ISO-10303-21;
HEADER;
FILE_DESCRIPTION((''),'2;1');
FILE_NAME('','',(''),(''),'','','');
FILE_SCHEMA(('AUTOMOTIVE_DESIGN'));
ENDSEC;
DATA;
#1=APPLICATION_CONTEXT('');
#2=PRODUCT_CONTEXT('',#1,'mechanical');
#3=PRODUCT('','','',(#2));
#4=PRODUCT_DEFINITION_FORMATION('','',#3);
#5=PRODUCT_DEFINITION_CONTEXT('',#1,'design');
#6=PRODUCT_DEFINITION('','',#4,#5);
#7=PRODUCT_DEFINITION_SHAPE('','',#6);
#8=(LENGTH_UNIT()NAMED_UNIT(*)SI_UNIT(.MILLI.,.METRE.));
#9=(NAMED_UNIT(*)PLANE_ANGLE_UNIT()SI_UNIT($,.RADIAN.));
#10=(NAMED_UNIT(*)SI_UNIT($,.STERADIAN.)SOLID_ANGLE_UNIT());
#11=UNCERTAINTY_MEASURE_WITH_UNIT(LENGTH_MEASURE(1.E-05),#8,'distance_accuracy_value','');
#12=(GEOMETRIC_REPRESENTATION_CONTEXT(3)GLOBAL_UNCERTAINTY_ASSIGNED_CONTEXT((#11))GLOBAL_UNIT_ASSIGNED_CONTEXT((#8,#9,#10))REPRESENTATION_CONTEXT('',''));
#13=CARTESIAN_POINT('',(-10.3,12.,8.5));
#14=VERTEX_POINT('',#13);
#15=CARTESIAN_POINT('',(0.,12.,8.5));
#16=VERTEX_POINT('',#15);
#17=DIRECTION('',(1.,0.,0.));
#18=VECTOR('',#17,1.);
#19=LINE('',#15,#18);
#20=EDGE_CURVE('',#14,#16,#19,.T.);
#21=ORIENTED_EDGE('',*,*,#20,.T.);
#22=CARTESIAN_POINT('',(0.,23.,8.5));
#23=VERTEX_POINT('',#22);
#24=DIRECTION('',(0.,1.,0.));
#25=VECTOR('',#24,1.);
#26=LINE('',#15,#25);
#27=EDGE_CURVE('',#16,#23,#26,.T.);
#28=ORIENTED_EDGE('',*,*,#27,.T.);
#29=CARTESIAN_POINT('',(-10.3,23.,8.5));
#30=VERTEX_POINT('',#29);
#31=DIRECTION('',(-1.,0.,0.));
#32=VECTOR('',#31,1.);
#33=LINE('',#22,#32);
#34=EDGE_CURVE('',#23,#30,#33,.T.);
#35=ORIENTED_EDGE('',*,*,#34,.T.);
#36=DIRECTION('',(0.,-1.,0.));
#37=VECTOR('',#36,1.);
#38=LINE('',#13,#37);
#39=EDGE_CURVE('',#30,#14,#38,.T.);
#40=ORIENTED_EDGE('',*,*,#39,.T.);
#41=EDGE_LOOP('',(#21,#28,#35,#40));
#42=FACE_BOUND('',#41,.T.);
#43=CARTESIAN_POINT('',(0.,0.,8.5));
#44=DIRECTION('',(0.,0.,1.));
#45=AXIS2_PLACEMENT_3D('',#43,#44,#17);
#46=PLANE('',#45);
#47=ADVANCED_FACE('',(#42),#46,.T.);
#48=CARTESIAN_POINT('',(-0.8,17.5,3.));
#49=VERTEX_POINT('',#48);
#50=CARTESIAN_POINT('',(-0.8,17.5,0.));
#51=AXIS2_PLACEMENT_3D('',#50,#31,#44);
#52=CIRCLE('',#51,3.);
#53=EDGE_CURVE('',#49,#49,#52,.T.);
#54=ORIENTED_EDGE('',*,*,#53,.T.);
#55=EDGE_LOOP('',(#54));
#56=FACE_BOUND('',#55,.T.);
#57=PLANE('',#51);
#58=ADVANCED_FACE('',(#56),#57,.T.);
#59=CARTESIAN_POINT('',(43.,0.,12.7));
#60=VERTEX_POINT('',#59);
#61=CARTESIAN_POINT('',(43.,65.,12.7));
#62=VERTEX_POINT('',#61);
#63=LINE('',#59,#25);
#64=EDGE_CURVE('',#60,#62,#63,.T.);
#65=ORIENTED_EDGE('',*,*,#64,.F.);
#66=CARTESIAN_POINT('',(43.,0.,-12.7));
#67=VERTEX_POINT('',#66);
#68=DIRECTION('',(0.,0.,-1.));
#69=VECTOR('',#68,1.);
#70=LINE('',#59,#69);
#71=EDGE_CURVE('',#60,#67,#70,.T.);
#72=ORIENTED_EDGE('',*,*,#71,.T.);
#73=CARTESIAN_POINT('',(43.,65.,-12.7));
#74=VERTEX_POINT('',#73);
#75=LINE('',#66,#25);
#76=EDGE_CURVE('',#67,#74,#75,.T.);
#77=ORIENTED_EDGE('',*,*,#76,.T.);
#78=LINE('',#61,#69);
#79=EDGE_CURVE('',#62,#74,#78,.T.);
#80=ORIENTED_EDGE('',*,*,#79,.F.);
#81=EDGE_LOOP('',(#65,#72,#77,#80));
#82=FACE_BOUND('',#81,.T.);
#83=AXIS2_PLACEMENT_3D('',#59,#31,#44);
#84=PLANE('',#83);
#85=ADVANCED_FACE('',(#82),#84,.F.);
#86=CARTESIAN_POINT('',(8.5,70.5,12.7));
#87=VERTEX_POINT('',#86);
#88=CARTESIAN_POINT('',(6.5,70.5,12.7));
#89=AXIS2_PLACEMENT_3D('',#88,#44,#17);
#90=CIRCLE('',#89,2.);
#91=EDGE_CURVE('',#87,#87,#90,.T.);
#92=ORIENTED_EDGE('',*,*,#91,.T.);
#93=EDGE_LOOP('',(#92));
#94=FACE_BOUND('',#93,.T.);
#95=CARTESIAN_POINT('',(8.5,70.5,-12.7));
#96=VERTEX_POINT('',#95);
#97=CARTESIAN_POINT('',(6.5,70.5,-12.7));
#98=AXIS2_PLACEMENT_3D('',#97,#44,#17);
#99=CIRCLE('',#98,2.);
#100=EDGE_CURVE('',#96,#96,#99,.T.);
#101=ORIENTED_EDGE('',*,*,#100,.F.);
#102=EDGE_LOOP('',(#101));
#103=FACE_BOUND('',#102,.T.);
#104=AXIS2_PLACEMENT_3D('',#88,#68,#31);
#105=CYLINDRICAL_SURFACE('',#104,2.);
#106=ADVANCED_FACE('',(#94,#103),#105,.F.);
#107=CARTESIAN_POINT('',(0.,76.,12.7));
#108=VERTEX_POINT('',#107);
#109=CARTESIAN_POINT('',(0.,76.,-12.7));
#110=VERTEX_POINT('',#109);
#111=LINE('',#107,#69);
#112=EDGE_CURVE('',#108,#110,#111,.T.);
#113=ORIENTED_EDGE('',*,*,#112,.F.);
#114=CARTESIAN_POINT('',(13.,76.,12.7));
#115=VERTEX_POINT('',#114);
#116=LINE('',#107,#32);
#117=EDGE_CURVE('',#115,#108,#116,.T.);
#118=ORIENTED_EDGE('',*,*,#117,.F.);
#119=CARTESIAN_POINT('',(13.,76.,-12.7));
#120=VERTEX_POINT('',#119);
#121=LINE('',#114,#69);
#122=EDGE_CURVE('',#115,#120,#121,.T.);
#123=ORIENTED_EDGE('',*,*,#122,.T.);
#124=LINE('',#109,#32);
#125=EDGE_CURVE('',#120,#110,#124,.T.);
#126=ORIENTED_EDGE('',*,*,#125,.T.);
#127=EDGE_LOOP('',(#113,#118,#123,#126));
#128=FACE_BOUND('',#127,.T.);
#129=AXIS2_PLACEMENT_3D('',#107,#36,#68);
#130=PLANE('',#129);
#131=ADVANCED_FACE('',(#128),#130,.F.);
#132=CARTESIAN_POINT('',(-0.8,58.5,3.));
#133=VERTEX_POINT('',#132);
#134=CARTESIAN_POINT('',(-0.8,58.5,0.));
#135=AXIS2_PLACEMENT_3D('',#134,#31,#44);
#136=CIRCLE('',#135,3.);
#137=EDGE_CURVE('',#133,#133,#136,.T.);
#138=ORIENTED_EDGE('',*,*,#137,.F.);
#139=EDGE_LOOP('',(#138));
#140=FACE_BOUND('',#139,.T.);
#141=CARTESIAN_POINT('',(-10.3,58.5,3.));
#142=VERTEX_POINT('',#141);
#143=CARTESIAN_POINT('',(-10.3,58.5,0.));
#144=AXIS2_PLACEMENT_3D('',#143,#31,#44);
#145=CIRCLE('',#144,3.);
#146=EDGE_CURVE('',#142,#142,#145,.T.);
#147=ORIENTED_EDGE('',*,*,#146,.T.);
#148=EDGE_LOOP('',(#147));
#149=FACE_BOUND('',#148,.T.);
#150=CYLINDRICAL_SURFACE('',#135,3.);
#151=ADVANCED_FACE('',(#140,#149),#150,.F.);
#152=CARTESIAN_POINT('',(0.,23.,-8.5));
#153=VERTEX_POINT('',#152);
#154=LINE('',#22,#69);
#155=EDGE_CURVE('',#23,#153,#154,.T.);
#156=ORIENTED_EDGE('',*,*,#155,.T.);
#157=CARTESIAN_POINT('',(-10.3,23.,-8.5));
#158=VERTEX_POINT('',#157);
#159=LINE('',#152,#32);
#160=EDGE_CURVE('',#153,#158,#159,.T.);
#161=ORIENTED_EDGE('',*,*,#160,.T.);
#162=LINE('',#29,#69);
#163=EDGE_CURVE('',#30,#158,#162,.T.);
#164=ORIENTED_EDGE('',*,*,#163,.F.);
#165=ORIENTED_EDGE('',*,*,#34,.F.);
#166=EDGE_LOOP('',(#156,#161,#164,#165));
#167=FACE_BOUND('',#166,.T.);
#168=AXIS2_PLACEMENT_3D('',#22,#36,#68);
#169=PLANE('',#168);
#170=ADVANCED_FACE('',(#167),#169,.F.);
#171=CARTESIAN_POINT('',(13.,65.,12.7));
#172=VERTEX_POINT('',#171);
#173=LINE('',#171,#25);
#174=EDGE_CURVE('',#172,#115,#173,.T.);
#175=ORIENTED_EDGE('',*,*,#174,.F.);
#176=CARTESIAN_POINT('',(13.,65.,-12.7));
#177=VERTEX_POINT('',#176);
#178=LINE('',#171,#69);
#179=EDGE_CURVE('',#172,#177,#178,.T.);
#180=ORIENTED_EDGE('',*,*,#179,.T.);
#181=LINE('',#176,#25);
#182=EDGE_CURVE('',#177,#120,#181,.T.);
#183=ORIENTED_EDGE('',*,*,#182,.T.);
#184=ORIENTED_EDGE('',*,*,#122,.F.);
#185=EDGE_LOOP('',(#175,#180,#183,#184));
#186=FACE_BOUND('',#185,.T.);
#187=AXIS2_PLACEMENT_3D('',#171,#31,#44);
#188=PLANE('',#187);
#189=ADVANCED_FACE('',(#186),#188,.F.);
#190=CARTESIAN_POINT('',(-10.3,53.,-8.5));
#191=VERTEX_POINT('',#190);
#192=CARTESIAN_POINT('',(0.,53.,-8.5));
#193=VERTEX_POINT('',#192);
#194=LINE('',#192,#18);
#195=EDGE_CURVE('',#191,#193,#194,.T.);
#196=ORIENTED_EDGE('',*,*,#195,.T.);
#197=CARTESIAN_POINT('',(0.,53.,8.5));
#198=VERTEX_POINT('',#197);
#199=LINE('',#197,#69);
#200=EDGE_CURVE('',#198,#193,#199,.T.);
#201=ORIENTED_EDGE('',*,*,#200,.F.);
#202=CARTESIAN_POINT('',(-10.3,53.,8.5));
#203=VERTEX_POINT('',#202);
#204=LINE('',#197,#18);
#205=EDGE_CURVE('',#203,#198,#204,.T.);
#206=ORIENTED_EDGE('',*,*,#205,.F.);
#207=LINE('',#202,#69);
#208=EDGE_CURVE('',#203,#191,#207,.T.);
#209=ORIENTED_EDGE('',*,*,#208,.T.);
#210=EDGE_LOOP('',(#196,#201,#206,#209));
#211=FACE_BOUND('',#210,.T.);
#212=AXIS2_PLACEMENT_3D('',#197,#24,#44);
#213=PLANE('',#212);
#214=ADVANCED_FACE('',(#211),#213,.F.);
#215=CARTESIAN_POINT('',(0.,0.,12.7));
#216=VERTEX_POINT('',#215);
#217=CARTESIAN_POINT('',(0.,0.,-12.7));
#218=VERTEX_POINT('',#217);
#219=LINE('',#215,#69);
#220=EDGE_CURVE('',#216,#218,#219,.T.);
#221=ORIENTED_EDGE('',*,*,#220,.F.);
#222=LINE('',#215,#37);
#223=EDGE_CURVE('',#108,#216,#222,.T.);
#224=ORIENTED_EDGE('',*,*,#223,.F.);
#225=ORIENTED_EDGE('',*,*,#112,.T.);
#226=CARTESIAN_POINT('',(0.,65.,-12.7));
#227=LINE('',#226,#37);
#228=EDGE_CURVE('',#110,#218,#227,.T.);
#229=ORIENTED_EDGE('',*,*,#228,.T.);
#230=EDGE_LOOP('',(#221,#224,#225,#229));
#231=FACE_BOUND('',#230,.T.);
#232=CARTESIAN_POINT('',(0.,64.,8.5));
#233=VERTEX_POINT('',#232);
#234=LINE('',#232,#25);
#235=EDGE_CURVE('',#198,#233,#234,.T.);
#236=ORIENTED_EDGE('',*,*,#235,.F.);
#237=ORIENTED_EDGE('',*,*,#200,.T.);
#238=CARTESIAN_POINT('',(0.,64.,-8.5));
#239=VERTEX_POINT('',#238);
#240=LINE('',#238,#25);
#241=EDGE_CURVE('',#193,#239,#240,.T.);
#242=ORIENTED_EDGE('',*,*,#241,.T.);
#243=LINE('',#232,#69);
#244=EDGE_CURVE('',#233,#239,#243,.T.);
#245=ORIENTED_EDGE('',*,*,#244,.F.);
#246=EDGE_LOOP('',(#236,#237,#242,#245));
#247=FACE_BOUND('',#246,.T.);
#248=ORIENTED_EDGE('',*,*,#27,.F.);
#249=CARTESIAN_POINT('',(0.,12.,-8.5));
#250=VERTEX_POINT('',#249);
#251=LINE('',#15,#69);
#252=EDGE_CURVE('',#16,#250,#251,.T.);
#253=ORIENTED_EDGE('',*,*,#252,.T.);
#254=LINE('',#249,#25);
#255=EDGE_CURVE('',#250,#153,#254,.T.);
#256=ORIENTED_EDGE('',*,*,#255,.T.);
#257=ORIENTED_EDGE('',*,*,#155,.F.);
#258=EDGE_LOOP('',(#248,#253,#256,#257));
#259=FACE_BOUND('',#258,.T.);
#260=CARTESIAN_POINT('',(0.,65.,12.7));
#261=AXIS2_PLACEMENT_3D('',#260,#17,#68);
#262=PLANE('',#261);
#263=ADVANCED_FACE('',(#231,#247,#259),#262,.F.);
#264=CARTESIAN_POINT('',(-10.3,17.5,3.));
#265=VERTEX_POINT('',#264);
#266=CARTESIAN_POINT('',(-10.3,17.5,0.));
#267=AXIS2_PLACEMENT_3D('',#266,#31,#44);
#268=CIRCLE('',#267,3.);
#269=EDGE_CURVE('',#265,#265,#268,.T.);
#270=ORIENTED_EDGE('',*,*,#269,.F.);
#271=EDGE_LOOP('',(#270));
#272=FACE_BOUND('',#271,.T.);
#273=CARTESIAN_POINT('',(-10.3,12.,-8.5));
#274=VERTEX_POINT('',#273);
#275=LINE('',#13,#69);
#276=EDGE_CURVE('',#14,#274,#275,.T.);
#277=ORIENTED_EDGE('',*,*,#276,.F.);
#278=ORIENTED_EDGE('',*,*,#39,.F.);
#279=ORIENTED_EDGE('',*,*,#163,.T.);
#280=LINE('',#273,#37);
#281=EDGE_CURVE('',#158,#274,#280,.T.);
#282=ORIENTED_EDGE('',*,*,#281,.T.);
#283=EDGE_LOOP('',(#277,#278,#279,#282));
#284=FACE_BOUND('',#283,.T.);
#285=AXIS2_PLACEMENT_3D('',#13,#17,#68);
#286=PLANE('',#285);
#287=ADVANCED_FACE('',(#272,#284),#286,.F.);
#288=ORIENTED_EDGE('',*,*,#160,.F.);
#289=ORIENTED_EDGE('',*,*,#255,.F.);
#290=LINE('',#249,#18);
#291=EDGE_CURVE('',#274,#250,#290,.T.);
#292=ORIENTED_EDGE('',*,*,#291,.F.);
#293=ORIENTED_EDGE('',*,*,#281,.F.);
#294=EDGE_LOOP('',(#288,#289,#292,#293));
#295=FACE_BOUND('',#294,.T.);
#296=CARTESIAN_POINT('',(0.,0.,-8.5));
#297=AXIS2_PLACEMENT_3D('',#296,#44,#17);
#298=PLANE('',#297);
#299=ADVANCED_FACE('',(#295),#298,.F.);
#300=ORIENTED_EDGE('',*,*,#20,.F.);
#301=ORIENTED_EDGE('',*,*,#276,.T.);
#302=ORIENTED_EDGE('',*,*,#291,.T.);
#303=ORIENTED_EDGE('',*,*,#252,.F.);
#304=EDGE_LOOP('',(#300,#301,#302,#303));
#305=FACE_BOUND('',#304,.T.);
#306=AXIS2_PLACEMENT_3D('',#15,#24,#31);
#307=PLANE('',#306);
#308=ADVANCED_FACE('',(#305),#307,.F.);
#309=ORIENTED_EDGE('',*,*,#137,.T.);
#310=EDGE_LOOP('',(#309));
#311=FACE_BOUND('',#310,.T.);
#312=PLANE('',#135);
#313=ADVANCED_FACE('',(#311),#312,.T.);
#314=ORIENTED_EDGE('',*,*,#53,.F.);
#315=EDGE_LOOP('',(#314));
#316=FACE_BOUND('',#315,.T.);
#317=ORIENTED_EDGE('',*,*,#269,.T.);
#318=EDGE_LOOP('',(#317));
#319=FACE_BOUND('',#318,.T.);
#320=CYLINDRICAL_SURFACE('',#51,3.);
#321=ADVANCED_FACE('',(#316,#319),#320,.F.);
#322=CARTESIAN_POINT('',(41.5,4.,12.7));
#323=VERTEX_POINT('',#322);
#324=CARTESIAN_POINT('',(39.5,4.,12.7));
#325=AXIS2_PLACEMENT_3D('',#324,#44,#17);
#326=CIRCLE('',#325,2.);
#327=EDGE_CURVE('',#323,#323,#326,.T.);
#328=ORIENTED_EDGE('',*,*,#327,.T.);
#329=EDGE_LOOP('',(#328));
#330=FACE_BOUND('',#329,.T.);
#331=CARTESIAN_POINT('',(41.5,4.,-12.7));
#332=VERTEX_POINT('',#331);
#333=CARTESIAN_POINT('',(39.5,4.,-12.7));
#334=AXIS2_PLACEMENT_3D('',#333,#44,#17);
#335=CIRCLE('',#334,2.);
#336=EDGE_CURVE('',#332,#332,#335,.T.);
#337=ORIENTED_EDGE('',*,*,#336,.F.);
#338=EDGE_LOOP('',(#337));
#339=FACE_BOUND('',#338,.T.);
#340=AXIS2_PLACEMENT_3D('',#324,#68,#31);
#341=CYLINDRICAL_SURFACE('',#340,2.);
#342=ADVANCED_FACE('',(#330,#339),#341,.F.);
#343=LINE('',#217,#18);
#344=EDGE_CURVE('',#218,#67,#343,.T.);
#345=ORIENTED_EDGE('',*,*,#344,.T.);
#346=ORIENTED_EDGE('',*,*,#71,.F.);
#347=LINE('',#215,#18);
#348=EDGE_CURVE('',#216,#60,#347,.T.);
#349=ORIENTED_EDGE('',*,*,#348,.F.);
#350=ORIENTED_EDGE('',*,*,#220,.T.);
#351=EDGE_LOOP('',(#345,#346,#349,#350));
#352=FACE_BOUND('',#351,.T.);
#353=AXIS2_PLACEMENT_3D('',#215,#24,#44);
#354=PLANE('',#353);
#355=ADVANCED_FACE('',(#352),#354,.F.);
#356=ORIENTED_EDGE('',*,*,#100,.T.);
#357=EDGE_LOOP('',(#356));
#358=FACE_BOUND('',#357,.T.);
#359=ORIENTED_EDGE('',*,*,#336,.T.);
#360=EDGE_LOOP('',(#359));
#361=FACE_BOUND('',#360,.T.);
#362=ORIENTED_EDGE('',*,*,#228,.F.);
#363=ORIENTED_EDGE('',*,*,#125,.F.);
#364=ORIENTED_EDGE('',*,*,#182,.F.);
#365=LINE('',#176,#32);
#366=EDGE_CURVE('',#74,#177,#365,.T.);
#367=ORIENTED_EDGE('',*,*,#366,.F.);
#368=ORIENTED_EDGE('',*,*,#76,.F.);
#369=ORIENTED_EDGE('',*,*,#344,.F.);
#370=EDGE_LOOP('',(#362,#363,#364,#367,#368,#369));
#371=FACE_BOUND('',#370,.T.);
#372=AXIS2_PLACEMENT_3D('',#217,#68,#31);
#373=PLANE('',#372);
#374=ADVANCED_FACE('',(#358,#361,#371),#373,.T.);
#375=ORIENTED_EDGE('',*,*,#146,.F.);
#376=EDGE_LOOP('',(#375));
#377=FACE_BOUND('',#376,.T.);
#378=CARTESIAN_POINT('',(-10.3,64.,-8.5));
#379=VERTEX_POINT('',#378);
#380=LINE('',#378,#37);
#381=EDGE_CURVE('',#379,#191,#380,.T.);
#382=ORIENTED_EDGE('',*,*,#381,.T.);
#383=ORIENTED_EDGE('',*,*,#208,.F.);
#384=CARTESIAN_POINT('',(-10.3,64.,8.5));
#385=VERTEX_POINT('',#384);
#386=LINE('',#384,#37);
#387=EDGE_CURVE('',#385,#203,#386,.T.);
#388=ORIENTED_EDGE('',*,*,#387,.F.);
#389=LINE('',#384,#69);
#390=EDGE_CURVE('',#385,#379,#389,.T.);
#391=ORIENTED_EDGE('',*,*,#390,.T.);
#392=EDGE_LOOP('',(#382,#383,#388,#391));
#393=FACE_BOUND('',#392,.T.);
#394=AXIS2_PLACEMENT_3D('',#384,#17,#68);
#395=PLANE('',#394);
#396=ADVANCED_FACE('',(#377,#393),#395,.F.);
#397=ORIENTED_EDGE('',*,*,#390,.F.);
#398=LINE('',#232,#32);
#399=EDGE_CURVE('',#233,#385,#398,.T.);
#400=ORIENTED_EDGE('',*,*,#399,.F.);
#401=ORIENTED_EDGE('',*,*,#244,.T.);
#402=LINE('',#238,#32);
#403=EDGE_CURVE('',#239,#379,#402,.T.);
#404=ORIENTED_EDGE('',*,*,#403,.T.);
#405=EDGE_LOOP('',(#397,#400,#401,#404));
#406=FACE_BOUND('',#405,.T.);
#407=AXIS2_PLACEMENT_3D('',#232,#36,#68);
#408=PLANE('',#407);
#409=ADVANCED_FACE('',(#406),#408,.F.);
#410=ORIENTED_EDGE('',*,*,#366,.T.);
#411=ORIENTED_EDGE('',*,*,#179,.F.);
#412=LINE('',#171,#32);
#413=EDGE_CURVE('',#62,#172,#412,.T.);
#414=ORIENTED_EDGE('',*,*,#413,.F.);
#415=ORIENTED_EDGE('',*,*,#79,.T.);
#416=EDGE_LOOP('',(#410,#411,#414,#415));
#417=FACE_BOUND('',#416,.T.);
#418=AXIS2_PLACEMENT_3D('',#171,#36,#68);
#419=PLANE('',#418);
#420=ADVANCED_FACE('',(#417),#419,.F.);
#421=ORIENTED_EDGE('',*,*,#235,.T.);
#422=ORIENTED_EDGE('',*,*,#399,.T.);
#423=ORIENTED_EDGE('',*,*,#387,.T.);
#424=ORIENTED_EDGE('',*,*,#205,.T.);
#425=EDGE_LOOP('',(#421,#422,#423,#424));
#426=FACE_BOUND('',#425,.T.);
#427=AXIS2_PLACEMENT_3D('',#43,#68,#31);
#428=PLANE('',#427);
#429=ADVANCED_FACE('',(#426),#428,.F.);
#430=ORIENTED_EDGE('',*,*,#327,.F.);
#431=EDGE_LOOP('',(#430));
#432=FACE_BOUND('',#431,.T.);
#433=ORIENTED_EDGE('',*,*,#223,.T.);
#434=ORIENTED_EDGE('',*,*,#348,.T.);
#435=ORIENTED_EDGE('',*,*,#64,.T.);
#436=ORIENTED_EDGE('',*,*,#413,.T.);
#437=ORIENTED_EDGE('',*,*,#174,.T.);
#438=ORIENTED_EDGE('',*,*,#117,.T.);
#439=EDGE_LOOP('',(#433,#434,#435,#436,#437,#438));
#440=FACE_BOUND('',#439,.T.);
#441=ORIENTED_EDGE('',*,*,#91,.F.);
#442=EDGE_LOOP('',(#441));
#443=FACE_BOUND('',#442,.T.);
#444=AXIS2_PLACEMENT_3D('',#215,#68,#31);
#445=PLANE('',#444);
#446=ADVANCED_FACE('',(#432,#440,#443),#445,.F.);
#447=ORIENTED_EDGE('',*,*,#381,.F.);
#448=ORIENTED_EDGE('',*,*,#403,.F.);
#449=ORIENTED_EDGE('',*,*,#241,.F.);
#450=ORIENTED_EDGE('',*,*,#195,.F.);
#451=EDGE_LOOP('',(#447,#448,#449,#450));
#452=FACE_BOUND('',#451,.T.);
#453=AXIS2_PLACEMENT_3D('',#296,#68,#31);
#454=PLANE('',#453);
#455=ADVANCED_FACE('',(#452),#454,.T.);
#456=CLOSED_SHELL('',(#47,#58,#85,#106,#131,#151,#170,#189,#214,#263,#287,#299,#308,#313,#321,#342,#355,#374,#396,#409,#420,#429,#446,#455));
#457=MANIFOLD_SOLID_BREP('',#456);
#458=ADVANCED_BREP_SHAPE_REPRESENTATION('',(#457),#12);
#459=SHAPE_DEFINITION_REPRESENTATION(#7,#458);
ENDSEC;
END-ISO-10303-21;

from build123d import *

# Parameters (mm, degrees)
CROQUIS1_R              = 2
SALIENTE_EXTRUIR1_DEPTH = 12.7
CROQUIS2_W              = 10.3
CROQUIS2_H              = 11
SALIENTE_EXTRUIR2_DEPTH = 8.5
CROQUIS3_R              = 3
CORTAR_EXTRUIR1_DEPTH   = 9.5


with BuildPart() as part:
    # Croquis1 → Saliente-Extruir1 (new body, symmetric)
    with BuildSketch(Plane.XY):
        Polygon((13, 65), (43, 65), (43, 0), (0, 0), (0, 65), (0, 76), (13, 76), align=None)
        with Locations((39.5, 4)):
            Circle(CROQUIS1_R, mode=Mode.SUBTRACT)
        with Locations((6.5, 70.5)):
            Circle(CROQUIS1_R, mode=Mode.SUBTRACT)
    extrude(amount=SALIENTE_EXTRUIR1_DEPTH, both=True)

    # Croquis2 → Saliente-Extruir2 (add, symmetric)
    with BuildSketch(Plane.XY):
        with Locations((-5.15, 58.5)):
            Rectangle(CROQUIS2_W, CROQUIS2_H)
        with Locations((-5.15, 17.5)):
            Rectangle(CROQUIS2_W, CROQUIS2_H)
    extrude(amount=SALIENTE_EXTRUIR2_DEPTH, both=True)

    # Croquis3 → Cortar-Extruir1 (cut)
    with BuildSketch(Plane.ZY.offset(10.3)):
        with Locations((0, 58.5)):
            Circle(CROQUIS3_R)
        with Locations((0, 17.5)):
            Circle(CROQUIS3_R)
    extrude(amount=-CORTAR_EXTRUIR1_DEPTH, mode=Mode.SUBTRACT)


solid = part.part
